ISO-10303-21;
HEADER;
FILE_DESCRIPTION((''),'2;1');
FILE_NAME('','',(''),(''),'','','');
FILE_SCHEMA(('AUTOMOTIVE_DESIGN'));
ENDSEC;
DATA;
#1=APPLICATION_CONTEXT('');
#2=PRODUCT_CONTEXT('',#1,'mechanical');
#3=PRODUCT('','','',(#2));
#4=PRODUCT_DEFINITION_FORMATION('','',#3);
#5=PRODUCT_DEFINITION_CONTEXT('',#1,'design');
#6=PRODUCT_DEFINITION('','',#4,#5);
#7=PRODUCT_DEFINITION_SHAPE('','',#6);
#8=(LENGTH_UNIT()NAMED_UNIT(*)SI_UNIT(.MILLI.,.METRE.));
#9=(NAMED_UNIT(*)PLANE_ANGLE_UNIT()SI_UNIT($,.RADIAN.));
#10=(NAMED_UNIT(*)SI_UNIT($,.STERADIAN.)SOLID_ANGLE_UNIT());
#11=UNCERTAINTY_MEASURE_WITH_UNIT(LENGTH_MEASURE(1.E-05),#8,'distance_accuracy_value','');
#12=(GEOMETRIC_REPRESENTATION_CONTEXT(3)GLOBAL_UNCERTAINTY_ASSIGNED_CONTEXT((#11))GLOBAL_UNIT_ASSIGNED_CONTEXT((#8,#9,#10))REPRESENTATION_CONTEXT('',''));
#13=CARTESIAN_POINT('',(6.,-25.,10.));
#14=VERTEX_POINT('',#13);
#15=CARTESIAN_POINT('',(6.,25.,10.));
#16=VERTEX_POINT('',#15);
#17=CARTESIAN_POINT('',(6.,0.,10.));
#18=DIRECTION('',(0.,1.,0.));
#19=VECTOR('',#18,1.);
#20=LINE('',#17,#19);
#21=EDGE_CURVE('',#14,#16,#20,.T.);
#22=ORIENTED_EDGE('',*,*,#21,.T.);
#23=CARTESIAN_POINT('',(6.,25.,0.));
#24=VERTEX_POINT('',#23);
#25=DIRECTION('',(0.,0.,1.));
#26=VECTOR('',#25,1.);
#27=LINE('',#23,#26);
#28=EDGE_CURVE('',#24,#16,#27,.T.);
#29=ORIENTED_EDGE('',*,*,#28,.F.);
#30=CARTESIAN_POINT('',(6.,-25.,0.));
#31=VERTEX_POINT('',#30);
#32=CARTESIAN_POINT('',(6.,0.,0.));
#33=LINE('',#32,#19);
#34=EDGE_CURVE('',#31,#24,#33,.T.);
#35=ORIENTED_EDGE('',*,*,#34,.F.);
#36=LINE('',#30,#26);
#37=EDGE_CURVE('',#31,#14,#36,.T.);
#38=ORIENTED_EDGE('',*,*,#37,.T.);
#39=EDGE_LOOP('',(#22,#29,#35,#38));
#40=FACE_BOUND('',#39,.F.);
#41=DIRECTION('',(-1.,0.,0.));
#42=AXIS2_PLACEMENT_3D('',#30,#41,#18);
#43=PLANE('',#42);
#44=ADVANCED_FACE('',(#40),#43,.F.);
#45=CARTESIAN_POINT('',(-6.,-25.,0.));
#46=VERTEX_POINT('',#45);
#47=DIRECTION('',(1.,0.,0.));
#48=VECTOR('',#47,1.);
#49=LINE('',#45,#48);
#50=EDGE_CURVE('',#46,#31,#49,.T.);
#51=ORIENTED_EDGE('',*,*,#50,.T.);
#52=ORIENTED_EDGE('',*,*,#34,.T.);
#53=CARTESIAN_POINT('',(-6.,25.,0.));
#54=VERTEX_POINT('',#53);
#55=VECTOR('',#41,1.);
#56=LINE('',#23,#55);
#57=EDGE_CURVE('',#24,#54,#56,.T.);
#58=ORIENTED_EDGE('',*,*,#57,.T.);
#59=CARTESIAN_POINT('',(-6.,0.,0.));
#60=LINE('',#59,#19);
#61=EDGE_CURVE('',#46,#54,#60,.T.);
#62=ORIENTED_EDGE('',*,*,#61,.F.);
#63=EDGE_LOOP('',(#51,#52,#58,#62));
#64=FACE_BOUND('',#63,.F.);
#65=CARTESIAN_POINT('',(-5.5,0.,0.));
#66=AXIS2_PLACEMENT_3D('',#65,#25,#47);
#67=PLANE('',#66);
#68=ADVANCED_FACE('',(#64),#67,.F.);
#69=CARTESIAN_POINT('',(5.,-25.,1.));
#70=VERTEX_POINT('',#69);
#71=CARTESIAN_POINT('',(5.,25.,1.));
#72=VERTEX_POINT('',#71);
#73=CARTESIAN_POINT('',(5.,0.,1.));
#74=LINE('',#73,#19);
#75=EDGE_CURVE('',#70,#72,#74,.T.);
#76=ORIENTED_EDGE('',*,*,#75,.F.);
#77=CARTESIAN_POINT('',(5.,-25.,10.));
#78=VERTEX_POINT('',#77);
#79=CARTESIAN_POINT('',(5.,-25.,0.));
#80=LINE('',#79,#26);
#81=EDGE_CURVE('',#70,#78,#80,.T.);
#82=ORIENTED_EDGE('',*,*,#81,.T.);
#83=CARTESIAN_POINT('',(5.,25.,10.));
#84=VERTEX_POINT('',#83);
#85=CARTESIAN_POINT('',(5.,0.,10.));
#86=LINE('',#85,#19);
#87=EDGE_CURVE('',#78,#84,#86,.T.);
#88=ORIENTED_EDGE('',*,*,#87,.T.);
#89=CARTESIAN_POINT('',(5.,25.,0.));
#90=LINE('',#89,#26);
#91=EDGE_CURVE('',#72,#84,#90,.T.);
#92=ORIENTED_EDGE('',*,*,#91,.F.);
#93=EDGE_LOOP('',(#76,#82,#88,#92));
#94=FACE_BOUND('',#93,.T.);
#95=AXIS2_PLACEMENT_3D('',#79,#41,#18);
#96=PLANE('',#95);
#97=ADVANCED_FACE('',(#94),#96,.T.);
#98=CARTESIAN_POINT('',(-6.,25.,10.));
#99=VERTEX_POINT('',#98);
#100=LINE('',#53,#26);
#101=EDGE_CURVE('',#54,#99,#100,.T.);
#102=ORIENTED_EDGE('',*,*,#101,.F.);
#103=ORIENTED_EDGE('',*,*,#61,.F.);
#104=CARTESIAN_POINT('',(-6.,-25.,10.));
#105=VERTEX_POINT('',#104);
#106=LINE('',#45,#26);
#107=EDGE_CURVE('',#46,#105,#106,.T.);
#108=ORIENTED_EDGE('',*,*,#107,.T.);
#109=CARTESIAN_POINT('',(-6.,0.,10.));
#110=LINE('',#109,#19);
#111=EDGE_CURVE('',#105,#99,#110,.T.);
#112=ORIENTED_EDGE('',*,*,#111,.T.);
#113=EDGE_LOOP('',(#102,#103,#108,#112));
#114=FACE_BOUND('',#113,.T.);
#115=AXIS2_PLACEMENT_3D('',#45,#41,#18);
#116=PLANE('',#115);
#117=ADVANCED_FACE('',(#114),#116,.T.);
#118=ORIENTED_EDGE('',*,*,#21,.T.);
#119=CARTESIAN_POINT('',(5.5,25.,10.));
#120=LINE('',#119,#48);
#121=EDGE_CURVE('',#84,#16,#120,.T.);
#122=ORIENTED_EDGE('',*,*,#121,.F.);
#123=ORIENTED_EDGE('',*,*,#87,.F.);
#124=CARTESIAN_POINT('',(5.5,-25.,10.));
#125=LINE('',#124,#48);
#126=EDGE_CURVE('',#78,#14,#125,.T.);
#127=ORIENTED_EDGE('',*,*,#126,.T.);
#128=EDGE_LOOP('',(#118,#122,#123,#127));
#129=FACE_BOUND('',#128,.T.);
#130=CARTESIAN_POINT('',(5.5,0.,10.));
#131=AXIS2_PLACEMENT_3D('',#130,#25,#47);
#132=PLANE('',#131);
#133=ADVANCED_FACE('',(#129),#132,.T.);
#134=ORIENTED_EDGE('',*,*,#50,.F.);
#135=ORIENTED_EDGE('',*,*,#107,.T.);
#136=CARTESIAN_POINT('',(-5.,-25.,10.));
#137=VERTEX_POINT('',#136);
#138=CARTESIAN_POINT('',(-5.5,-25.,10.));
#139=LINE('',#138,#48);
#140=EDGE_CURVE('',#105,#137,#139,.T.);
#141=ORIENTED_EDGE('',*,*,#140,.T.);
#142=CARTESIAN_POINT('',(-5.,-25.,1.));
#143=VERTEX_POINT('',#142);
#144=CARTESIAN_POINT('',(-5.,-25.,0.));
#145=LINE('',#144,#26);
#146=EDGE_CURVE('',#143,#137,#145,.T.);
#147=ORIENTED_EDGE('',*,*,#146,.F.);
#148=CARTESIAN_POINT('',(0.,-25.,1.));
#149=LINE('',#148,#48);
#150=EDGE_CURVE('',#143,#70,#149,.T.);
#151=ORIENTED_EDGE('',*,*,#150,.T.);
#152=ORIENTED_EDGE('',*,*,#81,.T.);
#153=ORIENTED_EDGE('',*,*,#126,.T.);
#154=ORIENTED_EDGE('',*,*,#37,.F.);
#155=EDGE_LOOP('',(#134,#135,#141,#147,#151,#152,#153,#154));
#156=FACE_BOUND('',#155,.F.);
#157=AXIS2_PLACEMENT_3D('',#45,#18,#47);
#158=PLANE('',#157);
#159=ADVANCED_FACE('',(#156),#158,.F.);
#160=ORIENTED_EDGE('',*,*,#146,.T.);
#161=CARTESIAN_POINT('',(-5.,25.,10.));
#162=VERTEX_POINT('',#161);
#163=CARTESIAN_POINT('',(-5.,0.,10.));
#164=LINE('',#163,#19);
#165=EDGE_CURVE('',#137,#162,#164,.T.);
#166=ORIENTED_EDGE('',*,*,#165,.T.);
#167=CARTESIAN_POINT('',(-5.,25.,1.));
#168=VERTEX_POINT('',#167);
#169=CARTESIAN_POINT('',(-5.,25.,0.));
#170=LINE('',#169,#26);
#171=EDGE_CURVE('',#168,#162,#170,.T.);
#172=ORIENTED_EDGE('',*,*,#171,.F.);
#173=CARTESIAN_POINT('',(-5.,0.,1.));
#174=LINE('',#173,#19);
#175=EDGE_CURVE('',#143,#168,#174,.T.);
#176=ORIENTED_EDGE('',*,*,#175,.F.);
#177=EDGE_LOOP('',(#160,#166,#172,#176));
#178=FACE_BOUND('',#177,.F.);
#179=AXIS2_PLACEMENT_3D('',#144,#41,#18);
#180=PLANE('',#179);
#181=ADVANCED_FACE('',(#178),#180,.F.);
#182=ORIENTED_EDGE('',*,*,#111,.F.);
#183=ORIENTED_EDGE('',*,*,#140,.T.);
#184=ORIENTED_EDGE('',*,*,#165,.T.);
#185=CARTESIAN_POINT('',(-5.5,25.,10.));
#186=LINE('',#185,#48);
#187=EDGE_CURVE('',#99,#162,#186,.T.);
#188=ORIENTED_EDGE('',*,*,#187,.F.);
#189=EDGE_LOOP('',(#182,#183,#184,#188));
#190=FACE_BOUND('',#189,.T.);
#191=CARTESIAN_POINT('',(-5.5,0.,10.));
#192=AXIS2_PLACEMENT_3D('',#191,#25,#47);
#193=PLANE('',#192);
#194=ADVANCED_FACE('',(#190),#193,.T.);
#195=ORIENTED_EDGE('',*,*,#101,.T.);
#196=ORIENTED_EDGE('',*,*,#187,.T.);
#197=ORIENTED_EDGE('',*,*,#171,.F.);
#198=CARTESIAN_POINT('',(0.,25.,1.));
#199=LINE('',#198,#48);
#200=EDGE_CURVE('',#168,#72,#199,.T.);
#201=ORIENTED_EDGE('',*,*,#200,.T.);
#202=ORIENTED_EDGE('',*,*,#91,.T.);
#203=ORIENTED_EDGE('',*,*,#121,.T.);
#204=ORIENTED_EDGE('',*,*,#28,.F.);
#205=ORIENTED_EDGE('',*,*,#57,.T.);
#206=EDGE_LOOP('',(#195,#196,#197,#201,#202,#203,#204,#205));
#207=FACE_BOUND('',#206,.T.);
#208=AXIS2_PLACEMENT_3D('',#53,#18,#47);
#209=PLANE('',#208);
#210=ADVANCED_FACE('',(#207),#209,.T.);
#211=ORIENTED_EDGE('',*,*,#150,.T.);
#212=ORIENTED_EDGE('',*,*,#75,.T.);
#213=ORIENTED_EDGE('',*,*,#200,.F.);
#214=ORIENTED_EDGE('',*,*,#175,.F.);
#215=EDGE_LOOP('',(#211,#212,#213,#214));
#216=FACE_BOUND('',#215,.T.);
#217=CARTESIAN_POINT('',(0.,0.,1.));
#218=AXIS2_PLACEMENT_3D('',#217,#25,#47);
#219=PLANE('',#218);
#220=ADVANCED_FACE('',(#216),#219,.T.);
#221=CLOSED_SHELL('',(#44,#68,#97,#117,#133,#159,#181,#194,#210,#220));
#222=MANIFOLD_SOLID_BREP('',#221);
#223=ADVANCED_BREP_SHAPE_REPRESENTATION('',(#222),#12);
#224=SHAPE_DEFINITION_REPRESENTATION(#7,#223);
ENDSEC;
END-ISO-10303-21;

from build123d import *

# Parameters (mm, degrees)
F0_W     = 10
F0_H     = 50
F1_DEPTH = 1
F0_W_2   = 1
F2_DEPTH = 10


with BuildPart() as f1:
    # F0 (on Top) → F1 (new body)
    with BuildSketch(Plane.XY):
        Rectangle(F0_W, F0_H)
    extrude(amount=F1_DEPTH)

    # F0 (on Top) → F2 (join)
    with BuildSketch(Plane.XY):
        with Locations((-5.5, 0)):
            Rectangle(F0_W_2, F0_H)
        with Locations((5.5, 0)):
            Rectangle(F0_W_2, F0_H)
    extrude(amount=F2_DEPTH)


solid = f1.part
